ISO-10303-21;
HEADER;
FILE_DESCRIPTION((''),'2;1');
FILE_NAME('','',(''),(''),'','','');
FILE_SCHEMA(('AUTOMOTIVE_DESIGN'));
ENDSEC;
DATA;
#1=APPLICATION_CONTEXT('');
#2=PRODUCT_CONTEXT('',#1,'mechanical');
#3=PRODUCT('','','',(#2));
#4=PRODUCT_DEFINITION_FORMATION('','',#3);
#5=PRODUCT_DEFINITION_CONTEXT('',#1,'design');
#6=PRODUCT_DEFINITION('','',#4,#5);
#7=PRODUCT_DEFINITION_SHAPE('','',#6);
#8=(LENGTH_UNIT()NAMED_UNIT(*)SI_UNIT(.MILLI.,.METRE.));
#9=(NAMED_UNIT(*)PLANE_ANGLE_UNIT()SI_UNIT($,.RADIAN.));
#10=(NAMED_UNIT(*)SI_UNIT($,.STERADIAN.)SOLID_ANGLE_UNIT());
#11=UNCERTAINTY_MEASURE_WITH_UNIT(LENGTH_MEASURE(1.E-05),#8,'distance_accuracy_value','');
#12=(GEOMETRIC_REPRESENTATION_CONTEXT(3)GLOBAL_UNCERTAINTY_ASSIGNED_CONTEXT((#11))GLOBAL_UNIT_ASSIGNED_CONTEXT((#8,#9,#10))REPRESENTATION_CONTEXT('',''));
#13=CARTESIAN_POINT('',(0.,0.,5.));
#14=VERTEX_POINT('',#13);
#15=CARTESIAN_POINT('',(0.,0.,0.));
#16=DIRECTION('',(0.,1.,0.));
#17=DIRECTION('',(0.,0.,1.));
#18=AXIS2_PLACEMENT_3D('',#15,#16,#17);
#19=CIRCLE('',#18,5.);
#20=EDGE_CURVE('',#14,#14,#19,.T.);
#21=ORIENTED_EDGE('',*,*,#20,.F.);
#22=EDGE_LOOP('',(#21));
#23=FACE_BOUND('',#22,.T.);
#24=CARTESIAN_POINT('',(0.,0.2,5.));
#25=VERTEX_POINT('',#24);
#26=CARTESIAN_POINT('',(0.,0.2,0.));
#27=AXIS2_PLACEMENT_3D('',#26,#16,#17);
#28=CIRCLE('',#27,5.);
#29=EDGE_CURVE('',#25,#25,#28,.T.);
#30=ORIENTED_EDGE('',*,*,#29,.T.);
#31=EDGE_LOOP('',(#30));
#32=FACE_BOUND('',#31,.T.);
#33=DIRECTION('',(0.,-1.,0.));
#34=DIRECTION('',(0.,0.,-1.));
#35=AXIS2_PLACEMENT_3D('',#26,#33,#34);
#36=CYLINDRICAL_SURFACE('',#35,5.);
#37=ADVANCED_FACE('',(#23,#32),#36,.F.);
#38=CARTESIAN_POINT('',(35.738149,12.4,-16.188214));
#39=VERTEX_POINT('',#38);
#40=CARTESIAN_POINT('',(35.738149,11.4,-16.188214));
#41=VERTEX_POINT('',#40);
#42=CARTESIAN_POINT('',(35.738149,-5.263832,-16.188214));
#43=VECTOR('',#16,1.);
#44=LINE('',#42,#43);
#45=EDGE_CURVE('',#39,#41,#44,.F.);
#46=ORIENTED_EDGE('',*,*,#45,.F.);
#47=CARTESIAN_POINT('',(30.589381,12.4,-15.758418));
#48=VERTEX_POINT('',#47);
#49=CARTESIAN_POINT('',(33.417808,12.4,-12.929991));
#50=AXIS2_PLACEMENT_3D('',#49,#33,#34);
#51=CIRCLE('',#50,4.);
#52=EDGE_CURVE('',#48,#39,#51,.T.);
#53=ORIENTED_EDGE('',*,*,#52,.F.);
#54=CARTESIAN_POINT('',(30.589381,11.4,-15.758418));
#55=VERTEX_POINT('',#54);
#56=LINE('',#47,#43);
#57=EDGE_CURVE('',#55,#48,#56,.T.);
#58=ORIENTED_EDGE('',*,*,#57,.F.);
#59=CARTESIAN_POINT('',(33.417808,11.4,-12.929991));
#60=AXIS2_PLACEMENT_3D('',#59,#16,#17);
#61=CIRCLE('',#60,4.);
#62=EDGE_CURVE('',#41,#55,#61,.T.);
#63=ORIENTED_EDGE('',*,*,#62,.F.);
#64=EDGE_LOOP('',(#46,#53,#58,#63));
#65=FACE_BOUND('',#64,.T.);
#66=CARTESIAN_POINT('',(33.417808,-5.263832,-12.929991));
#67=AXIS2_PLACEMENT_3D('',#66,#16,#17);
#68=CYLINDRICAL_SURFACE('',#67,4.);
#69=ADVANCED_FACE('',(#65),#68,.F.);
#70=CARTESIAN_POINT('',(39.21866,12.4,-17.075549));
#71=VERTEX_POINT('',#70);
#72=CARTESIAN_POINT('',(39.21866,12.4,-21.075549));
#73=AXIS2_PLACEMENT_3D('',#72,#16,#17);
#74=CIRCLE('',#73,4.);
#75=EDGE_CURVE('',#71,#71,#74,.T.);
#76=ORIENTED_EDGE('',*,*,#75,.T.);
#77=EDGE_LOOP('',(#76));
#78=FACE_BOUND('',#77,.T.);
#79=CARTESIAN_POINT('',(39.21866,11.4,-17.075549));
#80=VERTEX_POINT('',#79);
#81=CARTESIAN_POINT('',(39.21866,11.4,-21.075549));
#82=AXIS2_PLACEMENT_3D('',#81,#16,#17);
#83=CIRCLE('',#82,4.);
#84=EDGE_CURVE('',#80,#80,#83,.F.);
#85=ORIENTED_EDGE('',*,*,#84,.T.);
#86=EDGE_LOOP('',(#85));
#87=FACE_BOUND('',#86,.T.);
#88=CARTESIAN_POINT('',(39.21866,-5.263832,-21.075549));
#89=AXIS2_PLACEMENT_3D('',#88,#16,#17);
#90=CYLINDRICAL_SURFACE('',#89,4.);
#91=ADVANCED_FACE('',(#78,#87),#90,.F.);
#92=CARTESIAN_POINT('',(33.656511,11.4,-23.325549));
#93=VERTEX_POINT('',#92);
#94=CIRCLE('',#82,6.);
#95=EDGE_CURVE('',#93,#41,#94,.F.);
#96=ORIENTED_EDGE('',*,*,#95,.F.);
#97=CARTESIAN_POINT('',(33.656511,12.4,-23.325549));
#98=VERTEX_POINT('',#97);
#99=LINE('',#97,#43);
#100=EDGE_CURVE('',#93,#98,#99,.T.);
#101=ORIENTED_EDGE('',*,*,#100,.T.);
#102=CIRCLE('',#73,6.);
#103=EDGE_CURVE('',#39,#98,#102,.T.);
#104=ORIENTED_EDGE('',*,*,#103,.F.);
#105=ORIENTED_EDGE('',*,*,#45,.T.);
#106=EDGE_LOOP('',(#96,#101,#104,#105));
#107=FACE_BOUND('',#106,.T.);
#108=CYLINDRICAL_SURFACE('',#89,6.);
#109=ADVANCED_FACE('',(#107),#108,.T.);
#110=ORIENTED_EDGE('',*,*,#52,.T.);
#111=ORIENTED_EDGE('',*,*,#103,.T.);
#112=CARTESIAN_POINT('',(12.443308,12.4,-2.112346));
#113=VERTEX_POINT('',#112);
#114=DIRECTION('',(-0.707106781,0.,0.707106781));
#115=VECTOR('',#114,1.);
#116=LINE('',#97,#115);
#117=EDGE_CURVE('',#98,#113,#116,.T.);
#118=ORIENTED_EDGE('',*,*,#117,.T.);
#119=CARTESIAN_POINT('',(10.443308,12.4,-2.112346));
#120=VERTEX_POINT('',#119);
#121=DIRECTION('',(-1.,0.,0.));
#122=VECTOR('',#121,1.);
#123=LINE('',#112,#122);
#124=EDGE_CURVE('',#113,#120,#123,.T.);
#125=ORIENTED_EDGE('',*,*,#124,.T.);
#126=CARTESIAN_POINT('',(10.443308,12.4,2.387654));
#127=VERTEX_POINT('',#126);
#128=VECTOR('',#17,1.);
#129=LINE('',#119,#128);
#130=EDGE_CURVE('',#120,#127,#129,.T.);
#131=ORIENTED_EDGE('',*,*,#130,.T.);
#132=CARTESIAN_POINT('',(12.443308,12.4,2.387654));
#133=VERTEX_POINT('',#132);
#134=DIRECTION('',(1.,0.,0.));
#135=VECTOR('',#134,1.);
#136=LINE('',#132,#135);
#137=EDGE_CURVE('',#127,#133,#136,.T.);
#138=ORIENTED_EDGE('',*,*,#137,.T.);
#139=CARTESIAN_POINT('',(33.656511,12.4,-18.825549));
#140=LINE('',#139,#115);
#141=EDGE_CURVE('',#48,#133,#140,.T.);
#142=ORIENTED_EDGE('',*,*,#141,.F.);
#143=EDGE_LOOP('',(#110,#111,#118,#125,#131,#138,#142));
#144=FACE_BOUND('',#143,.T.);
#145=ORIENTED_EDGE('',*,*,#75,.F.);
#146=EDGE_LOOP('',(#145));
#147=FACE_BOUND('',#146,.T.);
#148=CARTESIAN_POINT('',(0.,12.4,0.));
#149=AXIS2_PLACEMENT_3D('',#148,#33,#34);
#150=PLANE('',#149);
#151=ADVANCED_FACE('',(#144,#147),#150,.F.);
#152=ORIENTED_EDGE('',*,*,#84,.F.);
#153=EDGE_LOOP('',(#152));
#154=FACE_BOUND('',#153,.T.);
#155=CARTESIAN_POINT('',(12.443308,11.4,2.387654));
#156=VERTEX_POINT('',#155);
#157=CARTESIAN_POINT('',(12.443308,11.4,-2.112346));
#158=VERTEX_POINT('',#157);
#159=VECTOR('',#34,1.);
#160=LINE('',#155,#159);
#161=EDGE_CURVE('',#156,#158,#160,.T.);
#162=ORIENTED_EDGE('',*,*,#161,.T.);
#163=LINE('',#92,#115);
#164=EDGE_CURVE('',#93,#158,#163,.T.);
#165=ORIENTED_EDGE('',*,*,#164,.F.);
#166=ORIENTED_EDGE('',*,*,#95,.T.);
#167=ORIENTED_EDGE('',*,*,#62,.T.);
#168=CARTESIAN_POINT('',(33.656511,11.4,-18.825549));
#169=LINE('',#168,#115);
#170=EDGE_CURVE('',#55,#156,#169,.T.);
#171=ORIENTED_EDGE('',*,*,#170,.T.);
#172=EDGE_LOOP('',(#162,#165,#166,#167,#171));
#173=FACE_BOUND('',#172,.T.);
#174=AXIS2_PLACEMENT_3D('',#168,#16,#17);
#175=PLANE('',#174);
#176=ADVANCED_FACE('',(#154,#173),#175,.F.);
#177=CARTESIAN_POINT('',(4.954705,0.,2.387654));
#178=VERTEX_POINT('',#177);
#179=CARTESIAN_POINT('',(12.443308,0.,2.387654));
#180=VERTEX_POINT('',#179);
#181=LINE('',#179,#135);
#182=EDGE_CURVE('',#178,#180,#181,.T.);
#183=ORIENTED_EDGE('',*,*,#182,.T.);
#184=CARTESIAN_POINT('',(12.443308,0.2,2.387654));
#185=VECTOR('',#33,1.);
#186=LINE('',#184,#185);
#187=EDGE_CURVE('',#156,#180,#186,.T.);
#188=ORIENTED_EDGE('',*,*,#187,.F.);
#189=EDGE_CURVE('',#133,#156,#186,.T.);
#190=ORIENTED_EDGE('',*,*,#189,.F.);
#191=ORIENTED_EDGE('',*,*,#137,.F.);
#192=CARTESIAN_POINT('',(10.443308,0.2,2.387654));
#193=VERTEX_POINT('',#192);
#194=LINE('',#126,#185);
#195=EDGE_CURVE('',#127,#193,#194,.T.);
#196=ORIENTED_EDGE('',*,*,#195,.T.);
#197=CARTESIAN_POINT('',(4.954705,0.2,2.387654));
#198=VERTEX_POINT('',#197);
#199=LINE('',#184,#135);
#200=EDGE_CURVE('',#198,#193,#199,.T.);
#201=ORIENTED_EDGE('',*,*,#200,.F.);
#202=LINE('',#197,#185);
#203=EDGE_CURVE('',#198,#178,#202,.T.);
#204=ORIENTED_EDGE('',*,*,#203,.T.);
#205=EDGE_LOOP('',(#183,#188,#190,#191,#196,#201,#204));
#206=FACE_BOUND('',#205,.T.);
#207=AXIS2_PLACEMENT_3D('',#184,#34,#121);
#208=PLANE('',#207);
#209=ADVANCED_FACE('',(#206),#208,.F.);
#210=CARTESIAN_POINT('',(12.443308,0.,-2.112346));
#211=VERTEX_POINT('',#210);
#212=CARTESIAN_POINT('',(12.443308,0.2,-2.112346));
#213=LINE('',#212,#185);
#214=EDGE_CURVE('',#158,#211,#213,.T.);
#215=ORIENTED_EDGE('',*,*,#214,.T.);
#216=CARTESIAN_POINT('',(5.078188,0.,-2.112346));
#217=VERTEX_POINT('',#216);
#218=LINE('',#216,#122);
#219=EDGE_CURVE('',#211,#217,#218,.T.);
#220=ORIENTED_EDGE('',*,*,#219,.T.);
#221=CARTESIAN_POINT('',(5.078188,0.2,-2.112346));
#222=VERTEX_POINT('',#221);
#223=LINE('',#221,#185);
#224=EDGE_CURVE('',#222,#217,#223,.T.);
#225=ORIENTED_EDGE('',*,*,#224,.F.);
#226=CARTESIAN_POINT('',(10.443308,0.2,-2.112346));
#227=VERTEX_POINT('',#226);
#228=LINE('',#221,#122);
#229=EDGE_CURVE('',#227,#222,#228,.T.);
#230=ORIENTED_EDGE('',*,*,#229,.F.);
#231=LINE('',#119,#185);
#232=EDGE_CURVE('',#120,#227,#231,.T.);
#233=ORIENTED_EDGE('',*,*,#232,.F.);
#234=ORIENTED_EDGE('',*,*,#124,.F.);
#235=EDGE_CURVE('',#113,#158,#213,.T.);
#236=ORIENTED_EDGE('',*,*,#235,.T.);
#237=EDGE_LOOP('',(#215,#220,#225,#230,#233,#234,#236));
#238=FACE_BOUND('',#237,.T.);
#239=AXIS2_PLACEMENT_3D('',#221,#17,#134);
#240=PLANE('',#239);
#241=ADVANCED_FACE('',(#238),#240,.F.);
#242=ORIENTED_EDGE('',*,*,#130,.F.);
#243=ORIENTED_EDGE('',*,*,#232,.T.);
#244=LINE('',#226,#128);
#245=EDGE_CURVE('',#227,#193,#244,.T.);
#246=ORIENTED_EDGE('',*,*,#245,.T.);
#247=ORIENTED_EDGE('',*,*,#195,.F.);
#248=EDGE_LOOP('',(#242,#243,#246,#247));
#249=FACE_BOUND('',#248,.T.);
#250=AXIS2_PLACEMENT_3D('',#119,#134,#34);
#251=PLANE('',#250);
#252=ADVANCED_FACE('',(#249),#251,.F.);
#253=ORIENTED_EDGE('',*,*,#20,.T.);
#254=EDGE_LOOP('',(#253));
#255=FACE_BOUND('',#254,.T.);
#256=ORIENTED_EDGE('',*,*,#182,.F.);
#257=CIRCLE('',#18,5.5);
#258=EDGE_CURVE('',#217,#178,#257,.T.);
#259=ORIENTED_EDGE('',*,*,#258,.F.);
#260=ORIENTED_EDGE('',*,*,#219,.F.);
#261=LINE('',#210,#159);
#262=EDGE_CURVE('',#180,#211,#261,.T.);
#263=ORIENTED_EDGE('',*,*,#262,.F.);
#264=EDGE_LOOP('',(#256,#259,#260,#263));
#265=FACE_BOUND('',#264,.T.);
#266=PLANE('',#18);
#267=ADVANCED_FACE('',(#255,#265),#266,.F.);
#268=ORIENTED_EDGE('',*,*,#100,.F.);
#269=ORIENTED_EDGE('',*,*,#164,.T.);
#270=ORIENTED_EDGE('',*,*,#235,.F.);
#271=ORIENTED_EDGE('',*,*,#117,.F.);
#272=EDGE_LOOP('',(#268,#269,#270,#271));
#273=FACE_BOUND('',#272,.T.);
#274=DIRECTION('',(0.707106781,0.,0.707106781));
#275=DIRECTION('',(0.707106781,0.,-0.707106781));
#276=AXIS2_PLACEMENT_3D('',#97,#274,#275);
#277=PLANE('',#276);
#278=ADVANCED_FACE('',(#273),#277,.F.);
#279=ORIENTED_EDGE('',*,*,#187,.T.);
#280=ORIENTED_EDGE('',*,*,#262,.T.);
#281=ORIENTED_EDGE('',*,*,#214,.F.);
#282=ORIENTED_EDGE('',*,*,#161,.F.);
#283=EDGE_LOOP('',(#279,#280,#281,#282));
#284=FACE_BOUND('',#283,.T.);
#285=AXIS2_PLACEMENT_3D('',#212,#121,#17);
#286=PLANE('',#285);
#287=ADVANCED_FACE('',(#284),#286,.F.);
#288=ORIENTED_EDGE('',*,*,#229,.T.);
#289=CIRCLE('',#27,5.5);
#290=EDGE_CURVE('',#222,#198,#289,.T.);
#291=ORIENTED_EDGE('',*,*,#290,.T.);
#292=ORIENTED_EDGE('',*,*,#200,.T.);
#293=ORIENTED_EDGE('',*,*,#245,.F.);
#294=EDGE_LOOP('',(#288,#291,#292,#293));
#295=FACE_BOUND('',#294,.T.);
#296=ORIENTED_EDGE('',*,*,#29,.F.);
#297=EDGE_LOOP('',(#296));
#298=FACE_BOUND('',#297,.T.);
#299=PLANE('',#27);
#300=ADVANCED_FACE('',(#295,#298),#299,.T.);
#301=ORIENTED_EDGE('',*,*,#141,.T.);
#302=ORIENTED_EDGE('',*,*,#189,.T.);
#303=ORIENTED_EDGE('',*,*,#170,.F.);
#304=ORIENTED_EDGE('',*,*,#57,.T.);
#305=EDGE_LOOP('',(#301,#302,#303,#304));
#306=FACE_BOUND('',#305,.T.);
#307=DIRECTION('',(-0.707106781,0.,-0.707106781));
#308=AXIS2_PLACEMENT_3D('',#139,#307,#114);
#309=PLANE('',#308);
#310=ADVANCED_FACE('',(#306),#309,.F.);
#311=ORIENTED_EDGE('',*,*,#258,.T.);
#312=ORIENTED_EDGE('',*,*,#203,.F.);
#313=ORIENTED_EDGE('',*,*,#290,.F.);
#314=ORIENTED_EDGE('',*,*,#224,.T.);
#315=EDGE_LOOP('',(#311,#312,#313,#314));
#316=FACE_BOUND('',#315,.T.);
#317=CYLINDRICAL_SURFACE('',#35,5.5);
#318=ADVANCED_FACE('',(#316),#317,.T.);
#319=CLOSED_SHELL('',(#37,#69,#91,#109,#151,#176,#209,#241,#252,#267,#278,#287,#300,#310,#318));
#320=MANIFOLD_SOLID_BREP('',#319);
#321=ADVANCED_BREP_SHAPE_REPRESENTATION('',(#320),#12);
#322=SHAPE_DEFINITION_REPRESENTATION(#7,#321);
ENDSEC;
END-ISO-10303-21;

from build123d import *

# Parameters (mm, degrees)
CROQUIS1_R              = 5
SALIENTE_EXTRUIR2_DEPTH = 0.2
CROQUIS2_W              = 2
CROQUIS2_H              = 4.5
SALIENTE_EXTRUIR3_DEPTH = 12.2
CROQUIS7_W              = 4.5
CROQUIS7_H              = 1
SALIENTE_EXTRUIR6_DEPTH = 30
CROQUIS9_R              = 4
SALIENTE_EXTRUIR7_DEPTH = 1
REDONDEO1_R             = 4


with BuildPart() as part:
    # Croquis1 → Saliente-Extruir2 (new body)
    with BuildSketch(Plane(origin=(0, 0, 0), x_dir=(1, 0, 0), z_dir=(0, 1, 0))):
        with BuildLine():
            Line((5.078188303, 2.112345511), (12.443307855, 2.112345511))
            Line((12.443307855, 2.112345511), (12.443307855, -2.387654489))
            Line((12.443307855, -2.387654489), (4.954705444, -2.387654489))
            ThreePointArc((4.954705444, -2.387654489), (-5.49793045, 0.150866705), (5.078188303, 2.112345511))
        make_face()
        Circle(CROQUIS1_R, mode=Mode.SUBTRACT)
    extrude(amount=SALIENTE_EXTRUIR2_DEPTH)

    # Croquis2 → Saliente-Extruir3 (add)
    with BuildSketch(Plane(origin=(0, 0.2, 0), x_dir=(1, 0, 0), z_dir=(0, 1, 0))):
        with Locations((11.443307855, -0.137654489)):
            Rectangle(CROQUIS2_W, CROQUIS2_H)
    extrude(amount=SALIENTE_EXTRUIR3_DEPTH)

    # Croquis7 → Saliente-Extruir6 (add, along a direction that is not the sketch's normal)
    with BuildSketch(Plane(origin=(12.443307855, 0, 0), x_dir=(0, 0, -1), z_dir=(1, 0, 0))):
        with Locations((-0.137654489, 11.9)):
            Rectangle(CROQUIS7_W, CROQUIS7_H)
    extrude(amount=SALIENTE_EXTRUIR6_DEPTH, dir=(0.707106781, 0, -0.707106781))

    # Croquis9 → Saliente-Extruir7 (add)
    with BuildSketch(Plane(origin=(0, 12.4, 0), x_dir=(1, 0, 0), z_dir=(0, 1, 0))):
        with BuildLine():
            Line((33.656511291, 23.325548946), (33.656511291, 18.825548946))
            ThreePointArc((33.656511291, 18.825548946), (45.218660156, 21.075548946), (33.656511291, 23.325548946))
        make_face()
        with Locations((39.218660156, 21.075548946)):
            Circle(CROQUIS9_R, mode=Mode.SUBTRACT)
    extrude(amount=-SALIENTE_EXTRUIR7_DEPTH)

    # Redondeo1
    redondeo1_edges = [part.edges().sort_by_distance(p)[0] for p in [
        (33.656511291, 11.9, -18.825548946),
    ]]
    fillet(redondeo1_edges, radius=REDONDEO1_R)


solid = part.part
